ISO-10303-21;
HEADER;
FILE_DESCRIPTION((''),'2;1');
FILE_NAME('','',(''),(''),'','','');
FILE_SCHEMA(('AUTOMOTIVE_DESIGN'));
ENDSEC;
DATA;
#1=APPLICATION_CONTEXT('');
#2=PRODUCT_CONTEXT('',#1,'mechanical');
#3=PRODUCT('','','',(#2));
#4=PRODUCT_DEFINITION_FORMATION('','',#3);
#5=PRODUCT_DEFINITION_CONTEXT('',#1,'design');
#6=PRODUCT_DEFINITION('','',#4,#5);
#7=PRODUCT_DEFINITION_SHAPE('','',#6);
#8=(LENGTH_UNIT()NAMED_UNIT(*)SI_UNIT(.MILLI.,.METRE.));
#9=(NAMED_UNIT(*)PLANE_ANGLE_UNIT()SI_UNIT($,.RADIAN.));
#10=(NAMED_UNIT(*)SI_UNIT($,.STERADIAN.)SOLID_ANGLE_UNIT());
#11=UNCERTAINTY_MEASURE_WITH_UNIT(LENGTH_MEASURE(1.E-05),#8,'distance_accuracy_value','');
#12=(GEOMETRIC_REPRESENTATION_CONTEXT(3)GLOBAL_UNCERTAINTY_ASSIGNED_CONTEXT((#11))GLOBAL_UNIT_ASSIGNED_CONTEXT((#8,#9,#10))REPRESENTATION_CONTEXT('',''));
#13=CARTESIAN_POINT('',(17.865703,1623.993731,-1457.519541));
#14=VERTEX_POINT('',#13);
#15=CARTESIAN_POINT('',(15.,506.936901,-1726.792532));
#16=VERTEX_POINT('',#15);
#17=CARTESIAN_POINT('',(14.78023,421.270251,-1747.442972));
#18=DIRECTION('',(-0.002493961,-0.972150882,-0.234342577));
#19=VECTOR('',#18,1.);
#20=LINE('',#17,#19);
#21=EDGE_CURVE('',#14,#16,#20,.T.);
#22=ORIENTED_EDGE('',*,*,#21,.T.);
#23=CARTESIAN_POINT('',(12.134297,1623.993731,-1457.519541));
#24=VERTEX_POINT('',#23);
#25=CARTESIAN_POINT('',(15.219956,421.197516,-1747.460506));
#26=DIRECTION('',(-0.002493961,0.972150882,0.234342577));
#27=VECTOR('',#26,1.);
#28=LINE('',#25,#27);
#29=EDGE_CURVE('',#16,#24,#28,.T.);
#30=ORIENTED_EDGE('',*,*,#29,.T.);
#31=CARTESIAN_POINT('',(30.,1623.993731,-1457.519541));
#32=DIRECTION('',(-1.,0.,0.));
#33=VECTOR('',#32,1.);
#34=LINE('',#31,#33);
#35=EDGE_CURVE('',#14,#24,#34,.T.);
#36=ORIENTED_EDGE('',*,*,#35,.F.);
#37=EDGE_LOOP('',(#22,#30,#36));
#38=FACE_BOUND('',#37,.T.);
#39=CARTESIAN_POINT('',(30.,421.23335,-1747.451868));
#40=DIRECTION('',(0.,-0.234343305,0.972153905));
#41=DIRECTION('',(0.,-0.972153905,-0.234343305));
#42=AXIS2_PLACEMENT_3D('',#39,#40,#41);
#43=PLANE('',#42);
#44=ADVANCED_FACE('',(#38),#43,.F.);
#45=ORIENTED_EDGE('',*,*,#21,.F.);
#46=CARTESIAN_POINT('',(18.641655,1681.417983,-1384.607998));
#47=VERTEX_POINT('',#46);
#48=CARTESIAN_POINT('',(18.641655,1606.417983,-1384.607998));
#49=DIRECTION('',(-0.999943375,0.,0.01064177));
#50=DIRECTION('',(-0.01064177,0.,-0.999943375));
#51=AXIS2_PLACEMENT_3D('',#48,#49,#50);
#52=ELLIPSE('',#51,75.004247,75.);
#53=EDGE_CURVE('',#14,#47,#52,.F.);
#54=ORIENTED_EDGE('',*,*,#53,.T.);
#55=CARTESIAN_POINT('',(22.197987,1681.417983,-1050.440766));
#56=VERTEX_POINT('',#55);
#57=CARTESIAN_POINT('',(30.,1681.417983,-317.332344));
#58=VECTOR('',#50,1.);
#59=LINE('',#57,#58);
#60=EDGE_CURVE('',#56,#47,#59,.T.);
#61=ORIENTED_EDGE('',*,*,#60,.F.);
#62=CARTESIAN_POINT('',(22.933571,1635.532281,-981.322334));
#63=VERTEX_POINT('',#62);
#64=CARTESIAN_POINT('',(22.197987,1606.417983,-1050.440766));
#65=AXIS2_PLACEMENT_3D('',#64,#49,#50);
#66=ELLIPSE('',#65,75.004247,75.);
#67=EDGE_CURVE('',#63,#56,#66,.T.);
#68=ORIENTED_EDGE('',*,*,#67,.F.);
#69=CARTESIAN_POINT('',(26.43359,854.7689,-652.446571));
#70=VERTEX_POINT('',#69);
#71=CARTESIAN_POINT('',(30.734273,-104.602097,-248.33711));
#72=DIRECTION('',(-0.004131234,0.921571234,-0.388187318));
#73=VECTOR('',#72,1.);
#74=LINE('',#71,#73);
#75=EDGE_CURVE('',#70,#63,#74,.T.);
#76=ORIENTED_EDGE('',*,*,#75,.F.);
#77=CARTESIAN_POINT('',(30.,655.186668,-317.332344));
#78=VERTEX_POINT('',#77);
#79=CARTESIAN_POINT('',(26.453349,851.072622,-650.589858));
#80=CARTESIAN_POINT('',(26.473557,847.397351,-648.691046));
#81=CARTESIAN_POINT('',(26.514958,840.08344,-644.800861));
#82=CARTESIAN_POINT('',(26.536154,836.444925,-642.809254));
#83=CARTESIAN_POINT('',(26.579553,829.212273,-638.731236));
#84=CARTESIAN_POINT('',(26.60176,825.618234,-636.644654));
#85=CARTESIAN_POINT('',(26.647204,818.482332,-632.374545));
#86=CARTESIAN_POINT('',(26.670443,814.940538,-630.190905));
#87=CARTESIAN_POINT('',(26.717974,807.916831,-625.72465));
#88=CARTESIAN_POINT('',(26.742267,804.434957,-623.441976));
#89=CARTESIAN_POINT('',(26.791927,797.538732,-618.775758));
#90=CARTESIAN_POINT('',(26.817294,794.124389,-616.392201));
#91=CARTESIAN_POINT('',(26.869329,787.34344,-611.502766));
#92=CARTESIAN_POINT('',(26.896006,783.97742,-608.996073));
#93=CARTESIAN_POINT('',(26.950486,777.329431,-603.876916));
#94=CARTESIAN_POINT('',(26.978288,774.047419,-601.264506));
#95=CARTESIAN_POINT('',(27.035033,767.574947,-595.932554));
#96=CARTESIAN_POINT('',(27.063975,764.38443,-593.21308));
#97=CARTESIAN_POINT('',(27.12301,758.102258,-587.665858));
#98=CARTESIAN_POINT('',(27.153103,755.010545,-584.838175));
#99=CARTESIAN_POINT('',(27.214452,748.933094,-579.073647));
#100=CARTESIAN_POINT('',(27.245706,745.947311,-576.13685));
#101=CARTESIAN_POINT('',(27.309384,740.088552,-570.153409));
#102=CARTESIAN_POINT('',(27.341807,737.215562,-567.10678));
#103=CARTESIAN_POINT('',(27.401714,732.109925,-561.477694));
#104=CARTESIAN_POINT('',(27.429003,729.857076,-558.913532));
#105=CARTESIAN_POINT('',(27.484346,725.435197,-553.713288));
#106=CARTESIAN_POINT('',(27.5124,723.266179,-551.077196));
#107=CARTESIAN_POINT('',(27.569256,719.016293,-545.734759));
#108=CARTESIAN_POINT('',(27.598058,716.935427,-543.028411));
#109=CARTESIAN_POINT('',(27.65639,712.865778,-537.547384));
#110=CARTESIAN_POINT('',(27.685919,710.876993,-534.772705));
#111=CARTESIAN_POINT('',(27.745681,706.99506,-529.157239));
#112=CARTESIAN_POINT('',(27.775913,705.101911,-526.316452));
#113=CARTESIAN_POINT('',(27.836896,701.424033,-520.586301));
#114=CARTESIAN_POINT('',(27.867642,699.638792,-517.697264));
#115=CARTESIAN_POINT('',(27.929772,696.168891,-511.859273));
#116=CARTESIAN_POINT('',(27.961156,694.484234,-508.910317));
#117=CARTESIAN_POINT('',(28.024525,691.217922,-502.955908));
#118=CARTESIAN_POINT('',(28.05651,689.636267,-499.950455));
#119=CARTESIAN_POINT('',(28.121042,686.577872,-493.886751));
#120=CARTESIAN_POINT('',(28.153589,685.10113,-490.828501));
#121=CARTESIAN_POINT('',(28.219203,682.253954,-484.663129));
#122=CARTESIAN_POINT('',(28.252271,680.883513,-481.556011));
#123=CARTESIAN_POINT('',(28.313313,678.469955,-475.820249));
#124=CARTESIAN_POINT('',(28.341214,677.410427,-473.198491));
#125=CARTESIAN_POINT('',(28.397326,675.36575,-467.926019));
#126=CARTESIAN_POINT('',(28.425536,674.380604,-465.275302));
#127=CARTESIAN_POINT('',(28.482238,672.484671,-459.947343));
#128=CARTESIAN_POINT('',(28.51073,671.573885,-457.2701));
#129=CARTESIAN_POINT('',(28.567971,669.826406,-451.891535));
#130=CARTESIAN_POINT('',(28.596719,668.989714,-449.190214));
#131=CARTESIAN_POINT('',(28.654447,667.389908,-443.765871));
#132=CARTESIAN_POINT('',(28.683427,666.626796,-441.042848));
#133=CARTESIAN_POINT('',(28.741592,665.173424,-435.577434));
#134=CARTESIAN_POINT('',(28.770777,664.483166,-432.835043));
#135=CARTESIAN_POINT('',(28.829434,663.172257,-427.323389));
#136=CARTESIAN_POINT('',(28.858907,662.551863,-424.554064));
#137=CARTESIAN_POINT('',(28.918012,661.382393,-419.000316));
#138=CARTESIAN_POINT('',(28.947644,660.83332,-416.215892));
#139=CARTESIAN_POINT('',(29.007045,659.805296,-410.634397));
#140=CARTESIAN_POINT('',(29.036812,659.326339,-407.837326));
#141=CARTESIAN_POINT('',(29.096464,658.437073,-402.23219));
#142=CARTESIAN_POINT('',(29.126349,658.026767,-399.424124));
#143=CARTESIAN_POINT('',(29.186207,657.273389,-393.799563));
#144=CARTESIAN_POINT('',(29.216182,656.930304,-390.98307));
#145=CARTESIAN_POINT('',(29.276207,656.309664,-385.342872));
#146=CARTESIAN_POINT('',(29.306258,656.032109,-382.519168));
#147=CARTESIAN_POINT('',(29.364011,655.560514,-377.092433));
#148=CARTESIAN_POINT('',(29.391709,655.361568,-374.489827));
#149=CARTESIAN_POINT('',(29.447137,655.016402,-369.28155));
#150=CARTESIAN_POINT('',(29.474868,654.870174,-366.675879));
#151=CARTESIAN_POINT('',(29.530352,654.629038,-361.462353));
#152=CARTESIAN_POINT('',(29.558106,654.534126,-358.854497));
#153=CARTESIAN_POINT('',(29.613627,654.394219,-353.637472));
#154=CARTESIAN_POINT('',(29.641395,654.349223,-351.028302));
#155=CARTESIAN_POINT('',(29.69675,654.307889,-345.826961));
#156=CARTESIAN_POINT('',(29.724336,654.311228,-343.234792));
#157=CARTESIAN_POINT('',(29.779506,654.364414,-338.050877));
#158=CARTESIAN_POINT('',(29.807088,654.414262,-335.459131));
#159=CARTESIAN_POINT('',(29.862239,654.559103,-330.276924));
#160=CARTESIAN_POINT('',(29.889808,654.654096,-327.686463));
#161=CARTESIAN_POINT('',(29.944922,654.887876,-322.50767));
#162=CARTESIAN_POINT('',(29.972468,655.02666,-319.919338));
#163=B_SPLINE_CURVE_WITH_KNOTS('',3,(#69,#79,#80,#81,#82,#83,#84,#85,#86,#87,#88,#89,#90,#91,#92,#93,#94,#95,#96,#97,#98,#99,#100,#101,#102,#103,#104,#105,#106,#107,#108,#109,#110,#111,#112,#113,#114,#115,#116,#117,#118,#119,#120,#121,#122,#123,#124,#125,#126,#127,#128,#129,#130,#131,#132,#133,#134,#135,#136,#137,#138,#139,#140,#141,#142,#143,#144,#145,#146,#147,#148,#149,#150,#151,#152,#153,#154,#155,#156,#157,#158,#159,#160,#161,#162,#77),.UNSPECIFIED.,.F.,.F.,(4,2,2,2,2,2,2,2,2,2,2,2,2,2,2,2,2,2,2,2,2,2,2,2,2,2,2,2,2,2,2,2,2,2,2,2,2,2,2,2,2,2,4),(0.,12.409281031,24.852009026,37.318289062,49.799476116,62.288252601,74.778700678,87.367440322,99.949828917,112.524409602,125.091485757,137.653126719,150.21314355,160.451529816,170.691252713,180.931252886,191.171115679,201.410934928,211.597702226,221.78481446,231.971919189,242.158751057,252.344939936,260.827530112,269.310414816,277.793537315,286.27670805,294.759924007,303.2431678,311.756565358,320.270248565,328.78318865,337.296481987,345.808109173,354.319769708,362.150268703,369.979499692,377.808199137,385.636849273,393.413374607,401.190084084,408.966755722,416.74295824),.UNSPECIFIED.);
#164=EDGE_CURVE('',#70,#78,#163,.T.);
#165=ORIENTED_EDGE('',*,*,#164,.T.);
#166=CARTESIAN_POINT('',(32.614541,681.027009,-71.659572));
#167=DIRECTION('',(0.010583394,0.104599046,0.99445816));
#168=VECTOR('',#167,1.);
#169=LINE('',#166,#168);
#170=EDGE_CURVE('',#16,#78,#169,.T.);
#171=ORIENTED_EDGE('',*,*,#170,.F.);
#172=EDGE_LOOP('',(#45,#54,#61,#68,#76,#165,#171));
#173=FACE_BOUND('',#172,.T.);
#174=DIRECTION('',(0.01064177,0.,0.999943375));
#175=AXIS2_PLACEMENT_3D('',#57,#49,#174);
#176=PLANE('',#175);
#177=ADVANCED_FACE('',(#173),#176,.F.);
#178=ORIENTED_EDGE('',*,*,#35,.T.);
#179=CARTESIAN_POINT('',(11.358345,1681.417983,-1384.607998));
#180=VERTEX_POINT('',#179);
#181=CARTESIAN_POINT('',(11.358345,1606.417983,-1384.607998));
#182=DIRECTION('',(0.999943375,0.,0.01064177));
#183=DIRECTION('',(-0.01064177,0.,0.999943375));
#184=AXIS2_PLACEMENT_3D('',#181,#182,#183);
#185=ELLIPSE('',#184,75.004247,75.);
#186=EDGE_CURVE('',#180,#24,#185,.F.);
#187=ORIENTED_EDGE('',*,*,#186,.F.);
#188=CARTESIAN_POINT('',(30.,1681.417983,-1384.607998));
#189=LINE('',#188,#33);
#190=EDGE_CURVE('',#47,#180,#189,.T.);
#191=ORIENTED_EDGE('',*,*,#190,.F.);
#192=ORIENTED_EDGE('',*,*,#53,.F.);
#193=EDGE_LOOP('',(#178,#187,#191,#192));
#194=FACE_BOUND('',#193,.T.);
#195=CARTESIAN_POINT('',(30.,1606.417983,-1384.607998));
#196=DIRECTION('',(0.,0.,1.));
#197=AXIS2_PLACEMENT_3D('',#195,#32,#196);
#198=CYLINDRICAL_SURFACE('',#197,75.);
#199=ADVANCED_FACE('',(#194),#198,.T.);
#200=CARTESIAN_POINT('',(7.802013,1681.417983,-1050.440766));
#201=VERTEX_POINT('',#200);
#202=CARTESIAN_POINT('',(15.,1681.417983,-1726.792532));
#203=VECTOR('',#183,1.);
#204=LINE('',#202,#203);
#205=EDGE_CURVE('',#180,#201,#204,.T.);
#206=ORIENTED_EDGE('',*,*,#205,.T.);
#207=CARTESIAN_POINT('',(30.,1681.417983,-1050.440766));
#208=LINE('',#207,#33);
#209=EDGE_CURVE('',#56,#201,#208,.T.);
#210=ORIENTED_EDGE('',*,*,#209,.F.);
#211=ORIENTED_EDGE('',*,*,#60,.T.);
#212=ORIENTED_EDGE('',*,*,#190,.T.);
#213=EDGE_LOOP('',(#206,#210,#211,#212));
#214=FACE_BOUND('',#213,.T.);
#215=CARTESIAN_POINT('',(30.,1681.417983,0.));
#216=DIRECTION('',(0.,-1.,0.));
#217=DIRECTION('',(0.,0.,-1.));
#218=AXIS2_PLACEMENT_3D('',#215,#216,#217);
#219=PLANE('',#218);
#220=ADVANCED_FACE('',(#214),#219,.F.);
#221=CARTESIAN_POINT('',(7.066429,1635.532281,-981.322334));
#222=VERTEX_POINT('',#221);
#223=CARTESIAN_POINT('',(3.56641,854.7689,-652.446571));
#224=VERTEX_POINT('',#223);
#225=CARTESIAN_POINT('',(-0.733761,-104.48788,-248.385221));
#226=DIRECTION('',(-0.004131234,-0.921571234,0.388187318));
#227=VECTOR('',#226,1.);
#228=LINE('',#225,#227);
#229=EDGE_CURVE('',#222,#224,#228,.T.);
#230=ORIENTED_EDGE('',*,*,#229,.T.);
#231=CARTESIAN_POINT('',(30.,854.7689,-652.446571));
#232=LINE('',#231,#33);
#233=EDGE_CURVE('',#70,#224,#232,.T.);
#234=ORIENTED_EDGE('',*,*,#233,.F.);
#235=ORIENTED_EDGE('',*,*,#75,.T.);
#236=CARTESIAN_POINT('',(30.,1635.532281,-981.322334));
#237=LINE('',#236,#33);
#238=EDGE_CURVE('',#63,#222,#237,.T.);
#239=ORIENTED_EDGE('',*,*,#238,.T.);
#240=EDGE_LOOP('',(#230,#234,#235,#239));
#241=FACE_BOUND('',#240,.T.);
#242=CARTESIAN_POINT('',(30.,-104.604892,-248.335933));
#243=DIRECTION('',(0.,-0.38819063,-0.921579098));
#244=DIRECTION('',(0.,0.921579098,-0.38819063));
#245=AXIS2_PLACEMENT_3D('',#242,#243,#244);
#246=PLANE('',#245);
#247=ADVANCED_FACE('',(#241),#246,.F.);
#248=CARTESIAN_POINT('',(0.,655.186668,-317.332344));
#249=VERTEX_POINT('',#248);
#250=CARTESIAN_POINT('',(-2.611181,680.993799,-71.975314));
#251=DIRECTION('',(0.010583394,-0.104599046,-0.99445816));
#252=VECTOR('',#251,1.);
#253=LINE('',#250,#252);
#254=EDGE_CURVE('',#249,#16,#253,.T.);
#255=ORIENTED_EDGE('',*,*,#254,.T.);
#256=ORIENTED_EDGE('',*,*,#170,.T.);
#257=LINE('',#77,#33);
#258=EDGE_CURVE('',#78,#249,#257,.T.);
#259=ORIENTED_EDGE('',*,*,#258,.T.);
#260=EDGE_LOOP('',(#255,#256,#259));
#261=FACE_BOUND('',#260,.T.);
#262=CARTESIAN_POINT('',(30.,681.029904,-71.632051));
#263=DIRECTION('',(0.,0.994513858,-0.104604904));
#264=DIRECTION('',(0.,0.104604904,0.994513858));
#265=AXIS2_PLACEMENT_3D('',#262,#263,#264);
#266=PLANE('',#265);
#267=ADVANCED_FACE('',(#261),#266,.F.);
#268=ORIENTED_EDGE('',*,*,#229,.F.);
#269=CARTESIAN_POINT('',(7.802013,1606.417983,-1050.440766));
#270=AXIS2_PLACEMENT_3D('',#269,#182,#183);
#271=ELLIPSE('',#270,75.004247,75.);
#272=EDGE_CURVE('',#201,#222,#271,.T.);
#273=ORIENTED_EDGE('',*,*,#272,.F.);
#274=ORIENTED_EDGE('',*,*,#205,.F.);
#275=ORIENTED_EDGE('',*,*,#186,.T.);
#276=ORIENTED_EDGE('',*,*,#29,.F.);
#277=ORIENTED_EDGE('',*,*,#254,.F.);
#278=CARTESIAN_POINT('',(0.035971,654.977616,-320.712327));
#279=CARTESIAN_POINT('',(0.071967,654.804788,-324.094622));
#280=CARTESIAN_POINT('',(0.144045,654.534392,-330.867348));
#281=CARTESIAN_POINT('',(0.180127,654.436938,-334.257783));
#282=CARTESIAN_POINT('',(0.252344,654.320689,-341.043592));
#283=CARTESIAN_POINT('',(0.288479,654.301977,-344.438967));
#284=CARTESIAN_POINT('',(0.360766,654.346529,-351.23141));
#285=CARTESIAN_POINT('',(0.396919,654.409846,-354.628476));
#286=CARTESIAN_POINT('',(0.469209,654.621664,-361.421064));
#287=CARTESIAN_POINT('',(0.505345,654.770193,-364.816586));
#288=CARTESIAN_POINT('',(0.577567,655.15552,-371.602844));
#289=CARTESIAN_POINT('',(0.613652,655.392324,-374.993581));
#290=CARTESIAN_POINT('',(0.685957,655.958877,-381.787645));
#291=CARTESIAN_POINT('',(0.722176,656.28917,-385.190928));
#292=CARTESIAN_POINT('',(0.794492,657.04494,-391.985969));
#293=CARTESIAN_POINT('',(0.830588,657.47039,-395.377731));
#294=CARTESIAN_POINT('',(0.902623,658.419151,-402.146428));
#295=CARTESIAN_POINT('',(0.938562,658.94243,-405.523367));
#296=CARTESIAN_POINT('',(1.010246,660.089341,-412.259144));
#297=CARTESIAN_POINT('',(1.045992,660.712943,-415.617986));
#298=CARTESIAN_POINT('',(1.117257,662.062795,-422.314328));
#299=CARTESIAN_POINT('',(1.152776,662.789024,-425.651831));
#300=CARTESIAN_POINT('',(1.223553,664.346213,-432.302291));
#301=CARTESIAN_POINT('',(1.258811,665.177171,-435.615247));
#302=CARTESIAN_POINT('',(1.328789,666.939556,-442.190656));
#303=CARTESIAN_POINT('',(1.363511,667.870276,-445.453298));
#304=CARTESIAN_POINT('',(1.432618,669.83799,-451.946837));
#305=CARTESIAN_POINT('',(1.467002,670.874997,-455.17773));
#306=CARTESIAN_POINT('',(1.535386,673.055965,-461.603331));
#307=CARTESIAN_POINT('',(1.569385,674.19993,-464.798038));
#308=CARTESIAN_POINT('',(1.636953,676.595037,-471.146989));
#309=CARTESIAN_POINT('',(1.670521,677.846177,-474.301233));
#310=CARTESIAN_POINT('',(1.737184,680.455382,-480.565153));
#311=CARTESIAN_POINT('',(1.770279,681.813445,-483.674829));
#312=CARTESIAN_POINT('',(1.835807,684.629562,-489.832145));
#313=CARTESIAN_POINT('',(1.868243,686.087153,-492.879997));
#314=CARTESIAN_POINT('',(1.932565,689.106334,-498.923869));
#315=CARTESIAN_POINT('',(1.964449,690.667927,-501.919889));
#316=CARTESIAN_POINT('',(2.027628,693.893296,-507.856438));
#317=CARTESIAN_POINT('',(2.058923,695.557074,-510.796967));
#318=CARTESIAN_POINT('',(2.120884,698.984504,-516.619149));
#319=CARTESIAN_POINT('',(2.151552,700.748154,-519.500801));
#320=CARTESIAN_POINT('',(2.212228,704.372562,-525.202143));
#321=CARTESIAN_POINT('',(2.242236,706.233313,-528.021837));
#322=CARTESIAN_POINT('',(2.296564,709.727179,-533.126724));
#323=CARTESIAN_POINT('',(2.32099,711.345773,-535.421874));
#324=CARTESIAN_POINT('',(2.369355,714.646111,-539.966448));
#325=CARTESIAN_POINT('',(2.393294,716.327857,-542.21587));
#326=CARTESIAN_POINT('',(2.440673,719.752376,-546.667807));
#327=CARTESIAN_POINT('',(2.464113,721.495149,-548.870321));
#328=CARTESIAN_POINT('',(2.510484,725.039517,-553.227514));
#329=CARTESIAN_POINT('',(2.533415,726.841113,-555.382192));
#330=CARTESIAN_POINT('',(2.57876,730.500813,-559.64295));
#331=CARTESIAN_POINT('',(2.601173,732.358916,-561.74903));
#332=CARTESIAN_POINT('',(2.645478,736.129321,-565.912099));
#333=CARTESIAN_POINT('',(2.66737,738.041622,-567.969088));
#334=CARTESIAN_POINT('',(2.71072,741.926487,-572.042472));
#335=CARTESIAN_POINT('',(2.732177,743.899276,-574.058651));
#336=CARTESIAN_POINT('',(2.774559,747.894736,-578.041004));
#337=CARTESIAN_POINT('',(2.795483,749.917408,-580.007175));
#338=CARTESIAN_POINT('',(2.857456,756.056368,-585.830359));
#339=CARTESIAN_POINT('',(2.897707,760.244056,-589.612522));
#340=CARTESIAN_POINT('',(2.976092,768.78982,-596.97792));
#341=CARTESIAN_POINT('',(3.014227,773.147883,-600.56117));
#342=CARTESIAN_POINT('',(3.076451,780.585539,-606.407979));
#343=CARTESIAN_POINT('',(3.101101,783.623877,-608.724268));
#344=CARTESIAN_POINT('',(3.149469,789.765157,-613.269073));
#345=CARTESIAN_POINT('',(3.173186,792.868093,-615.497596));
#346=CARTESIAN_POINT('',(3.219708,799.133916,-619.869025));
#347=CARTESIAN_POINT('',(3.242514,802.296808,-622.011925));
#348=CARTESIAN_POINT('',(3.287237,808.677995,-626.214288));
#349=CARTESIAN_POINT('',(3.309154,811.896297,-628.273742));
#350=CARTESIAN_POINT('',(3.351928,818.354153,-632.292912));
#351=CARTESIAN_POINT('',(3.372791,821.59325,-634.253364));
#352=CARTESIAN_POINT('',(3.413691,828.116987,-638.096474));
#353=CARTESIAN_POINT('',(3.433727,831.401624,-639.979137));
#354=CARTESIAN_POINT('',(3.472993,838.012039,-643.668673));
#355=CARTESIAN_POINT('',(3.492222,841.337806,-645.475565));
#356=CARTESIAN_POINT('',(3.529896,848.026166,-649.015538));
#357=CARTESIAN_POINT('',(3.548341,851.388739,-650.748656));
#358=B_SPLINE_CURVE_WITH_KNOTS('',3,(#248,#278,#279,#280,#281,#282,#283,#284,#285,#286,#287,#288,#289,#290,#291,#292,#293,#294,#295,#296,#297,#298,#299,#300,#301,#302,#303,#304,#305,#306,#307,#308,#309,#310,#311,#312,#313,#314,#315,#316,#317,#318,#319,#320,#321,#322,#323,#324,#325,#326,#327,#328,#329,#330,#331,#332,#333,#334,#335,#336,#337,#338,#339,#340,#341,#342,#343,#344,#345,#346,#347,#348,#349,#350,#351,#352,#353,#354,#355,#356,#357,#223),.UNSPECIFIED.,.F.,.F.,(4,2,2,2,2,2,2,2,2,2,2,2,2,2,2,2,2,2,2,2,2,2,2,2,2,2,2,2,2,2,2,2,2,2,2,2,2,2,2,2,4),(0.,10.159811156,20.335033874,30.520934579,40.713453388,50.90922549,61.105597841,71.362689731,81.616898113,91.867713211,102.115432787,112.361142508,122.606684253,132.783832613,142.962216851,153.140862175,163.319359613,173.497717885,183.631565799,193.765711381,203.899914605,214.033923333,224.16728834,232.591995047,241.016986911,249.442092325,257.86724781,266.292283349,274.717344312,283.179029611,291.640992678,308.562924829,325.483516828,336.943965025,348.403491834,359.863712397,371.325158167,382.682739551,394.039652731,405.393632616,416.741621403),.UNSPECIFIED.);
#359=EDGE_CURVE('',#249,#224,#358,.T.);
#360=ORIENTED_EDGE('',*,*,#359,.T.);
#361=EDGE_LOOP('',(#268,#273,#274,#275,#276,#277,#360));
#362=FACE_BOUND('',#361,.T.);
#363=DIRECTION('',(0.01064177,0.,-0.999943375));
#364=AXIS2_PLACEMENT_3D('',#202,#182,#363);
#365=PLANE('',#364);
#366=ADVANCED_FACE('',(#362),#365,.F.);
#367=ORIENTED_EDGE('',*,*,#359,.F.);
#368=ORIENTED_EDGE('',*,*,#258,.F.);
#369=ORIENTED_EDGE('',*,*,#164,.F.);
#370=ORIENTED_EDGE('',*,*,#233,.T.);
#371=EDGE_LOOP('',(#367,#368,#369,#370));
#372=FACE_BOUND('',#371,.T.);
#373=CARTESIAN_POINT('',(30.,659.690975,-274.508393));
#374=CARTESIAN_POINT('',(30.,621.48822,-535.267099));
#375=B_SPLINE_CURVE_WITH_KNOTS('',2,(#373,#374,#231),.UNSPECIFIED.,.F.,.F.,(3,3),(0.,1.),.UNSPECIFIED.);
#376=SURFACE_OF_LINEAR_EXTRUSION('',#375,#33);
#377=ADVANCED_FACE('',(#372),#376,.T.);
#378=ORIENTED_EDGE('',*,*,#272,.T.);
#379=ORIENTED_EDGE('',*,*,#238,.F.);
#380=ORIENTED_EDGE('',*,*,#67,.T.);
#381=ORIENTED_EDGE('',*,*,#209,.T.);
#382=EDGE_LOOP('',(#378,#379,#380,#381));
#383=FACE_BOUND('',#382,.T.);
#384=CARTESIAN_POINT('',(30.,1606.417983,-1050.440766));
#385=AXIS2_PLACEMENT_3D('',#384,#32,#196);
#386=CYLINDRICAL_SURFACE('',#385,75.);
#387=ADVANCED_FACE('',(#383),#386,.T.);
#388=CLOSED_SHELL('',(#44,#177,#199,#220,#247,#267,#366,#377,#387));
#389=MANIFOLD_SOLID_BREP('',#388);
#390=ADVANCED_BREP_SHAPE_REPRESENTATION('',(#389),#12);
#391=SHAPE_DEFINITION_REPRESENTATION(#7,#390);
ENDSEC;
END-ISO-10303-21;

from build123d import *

# Parameters (mm, degrees)
BOSS_EXTRUDE2_DEPTH = 30
SKETCH2_OUTSIDE_W   = 398.982
SKETCH2_OUTSIDE_H   = 1778.443
CUT_EXTRUDE3_DEPTH  = 1682.417983347


with BuildPart() as part:
    # Sketch1 → Boss-Extrude2 (new body)
    with BuildSketch(Plane(origin=(0, 0, 0), x_dir=(0, 0, -1), z_dir=(1, 0, 0))):
        with BuildLine():
            add(Edge.make_bspline(
                [(317.332343648, 655.186668482), (545.117144099, 641.097671469), (652.446570925, 854.768900431)],
                knots=[0.084059477, 0.084059477, 0.084059477, 1, 1, 1], degree=2))
            Line((317.332343648, 655.186668482), (1726.792532284, 506.936901497))
            Line((1726.792532284, 506.936901497), (1457.519541354, 1623.993731145))
            ThreePointArc((1457.519541354, 1623.993731145), (1431.012841469, 1665.338188153), (1384.60799847, 1681.417983247))
            Line((1384.60799847, 1681.417983247), (1050.440765915, 1681.417983247))
            ThreePointArc((1050.440765915, 1681.417983247), (1008.959277853, 1668.902270457), (981.322333542, 1635.532280531))
            Line((981.322333542, 1635.532280531), (652.446570925, 854.768900431))
        make_face()
    extrude(amount=BOSS_EXTRUDE2_DEPTH)

    # Sketch2 outside → Cut-Extrude3 (cut, through all)
    with BuildSketch(Plane(origin=(0, 0, 0), x_dir=(1, 0, 0), z_dir=(0, 1, 0))):
        with Locations((15, 1022.0625)):
            Rectangle(SKETCH2_OUTSIDE_W, SKETCH2_OUTSIDE_H)
        Polygon((15, 1726.792532284), (0, 317.332343643), (30, 317.332343643), align=None, mode=Mode.SUBTRACT)
    extrude(amount=CUT_EXTRUDE3_DEPTH, mode=Mode.SUBTRACT)


solid = part.part
